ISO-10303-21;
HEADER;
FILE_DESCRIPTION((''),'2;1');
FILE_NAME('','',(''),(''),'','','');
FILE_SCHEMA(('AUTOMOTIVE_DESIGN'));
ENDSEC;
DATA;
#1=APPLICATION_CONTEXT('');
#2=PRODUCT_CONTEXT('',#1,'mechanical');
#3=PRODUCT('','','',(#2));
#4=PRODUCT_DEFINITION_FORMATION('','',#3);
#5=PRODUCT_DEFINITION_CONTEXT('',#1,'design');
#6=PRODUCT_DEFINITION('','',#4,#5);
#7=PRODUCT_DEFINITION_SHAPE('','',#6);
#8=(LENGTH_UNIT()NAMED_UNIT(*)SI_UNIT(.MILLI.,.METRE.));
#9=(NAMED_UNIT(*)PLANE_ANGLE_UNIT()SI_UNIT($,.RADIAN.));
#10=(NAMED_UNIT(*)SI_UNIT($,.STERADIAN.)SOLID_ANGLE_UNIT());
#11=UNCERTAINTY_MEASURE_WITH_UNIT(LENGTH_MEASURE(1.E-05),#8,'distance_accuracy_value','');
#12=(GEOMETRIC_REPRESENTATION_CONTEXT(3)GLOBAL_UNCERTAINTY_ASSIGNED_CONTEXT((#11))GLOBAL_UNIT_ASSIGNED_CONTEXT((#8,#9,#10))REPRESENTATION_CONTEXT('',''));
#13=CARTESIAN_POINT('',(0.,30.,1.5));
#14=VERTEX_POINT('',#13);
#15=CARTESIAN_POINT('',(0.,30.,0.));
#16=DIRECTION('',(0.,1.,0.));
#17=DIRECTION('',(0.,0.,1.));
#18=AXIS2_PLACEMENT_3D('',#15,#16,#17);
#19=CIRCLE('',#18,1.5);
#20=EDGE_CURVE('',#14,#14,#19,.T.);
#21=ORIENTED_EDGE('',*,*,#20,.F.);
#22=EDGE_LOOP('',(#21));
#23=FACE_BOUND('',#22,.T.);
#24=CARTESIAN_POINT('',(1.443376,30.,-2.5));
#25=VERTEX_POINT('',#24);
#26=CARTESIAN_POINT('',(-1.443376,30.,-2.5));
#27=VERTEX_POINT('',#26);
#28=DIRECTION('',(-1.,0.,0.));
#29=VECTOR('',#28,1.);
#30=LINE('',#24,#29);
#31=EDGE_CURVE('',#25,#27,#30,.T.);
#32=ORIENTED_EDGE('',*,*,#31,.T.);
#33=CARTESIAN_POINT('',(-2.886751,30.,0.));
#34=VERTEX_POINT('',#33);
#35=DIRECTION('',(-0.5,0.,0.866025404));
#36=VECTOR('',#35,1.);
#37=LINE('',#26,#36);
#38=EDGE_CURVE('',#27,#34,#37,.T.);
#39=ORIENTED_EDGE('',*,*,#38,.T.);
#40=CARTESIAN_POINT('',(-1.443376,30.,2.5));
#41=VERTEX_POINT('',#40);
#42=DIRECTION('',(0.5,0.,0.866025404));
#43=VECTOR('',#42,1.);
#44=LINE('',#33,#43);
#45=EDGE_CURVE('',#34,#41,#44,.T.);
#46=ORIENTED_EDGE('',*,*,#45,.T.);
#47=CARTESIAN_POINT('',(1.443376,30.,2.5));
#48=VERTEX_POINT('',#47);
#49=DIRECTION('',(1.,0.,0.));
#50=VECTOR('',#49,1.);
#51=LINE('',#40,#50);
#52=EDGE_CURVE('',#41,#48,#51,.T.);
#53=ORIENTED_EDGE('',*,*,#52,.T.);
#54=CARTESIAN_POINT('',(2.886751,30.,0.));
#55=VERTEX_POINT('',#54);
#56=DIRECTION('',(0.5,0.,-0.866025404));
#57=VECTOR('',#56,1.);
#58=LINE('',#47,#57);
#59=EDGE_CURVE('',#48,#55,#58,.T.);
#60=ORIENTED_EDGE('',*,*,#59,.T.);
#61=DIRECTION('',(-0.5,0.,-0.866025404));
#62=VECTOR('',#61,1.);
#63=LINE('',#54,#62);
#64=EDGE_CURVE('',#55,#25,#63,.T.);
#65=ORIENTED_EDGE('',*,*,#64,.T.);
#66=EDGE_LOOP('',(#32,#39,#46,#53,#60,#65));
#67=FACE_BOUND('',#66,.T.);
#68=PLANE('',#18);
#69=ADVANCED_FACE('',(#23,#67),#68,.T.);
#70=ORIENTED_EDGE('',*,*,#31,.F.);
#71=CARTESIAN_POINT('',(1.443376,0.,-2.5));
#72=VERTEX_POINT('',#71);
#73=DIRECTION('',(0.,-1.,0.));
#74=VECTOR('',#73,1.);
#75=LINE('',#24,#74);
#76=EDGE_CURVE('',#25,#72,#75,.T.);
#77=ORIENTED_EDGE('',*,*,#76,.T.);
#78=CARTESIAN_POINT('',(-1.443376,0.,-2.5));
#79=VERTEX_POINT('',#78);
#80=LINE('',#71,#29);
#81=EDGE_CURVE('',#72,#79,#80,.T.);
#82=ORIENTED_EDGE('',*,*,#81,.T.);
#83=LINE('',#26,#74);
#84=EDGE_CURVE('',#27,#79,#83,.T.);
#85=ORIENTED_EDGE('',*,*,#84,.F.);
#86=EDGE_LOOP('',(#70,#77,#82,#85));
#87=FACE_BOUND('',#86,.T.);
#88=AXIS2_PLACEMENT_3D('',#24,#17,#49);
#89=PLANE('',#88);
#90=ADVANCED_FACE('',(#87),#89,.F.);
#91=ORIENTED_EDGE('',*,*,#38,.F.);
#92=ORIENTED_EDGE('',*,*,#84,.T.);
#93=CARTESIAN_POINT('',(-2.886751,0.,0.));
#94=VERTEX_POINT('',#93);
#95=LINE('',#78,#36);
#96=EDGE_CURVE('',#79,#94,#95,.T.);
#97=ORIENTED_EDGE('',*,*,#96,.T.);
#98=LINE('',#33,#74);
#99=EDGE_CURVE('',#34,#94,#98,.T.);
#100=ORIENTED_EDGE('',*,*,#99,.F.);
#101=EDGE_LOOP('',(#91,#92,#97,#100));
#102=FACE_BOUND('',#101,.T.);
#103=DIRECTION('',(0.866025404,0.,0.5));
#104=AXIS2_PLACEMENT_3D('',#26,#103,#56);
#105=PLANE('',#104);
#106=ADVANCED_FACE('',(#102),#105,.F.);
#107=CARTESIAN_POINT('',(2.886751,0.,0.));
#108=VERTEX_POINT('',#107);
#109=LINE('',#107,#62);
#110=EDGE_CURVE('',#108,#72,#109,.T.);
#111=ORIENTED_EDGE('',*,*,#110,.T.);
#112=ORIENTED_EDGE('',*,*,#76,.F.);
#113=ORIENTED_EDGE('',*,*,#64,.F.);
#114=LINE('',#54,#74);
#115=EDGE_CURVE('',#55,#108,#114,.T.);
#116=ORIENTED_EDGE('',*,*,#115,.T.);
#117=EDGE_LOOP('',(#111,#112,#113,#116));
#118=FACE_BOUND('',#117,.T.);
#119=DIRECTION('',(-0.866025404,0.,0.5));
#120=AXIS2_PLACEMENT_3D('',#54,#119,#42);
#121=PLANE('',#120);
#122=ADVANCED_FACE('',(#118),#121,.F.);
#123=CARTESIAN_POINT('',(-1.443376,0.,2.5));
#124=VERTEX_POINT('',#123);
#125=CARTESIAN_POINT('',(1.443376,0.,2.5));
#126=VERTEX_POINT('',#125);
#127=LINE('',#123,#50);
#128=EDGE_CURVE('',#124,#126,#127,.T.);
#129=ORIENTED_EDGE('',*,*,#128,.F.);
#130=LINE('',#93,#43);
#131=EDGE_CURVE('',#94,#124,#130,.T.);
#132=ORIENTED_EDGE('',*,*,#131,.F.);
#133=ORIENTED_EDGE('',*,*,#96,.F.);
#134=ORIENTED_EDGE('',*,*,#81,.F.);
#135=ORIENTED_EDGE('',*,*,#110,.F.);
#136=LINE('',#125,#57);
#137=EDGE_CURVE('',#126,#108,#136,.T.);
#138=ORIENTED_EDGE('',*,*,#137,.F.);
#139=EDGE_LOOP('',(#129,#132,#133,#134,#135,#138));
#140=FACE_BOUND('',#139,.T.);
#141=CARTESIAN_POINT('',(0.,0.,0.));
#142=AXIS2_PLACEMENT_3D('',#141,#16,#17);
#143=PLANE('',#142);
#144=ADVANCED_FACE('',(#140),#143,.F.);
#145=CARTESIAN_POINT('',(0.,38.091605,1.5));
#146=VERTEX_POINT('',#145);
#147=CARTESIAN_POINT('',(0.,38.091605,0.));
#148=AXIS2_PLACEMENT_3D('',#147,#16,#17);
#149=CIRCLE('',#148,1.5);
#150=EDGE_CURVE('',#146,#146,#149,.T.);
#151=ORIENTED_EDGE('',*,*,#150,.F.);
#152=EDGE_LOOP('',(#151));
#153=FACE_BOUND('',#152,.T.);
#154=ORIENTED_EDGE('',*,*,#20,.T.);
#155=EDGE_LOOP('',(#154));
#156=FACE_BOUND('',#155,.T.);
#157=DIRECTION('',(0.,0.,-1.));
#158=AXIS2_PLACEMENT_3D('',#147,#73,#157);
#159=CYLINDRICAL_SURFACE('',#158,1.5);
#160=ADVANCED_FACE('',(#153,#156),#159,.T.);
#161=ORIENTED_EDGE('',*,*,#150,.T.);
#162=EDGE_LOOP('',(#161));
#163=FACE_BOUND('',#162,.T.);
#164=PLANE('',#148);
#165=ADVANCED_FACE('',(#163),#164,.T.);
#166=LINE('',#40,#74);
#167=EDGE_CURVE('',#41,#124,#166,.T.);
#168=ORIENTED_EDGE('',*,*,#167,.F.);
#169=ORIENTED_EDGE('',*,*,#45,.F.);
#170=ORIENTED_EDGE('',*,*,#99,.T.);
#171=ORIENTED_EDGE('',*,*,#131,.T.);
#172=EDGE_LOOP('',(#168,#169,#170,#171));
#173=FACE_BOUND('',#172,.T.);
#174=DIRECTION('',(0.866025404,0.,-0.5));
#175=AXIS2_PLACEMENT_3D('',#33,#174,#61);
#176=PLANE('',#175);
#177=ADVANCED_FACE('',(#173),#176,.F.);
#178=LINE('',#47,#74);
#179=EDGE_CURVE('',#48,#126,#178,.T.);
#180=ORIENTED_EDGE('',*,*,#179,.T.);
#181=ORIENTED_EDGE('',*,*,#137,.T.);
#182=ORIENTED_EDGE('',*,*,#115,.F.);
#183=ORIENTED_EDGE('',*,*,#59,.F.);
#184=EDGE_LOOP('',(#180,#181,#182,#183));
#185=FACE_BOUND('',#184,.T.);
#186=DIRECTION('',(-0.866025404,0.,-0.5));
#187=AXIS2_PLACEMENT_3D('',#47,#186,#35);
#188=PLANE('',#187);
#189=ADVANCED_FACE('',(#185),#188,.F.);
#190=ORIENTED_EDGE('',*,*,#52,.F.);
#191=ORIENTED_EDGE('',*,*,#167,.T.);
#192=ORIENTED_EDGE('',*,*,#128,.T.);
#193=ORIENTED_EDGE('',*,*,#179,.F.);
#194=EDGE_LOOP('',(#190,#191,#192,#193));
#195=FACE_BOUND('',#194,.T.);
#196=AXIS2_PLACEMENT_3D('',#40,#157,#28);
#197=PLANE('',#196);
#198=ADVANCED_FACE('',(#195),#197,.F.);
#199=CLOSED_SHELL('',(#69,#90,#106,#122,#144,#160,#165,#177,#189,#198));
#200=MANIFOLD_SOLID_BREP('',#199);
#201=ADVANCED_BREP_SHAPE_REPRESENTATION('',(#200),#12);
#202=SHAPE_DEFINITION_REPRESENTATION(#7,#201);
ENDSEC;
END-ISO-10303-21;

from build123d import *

# Parameters (mm, degrees)
BOSS_EXTRUDE1_DEPTH = 30
SKETCH5_R           = 1.5
BOSS_EXTRUDE2_DEPTH = 8.091605471
SKETCH5_2_R         = 1.5
BOSS_EXTRUDE3_DEPTH = 8


with BuildPart() as part:
    # Sketch3 → Boss-Extrude1 (new body)
    with BuildSketch(Plane(origin=(0, 0, 0), x_dir=(1, 0, 0), z_dir=(0, 1, 0))):
        Polygon((-2.886751346, 0), (-1.443375673, -2.5), (1.443375673, -2.5), (2.886751346, 0), (1.443375673, 2.5), (-1.443375673, 2.5), align=None)
    extrude(amount=BOSS_EXTRUDE1_DEPTH)

    # Sketch5 → Boss-Extrude2 (add)
    with BuildSketch(Plane(origin=(0, 30, 0), x_dir=(1, 0, 0), z_dir=(0, 1, 0))):
        Circle(SKETCH5_R)
    extrude(amount=BOSS_EXTRUDE2_DEPTH)

    # Sketch5<2> → Boss-Extrude3 (add)
    with BuildSketch(Plane(origin=(0, 30, 0), x_dir=(1, 0, 0), z_dir=(0, 1, 0))):
        Circle(SKETCH5_2_R)
    extrude(amount=BOSS_EXTRUDE3_DEPTH)


solid = part.part
